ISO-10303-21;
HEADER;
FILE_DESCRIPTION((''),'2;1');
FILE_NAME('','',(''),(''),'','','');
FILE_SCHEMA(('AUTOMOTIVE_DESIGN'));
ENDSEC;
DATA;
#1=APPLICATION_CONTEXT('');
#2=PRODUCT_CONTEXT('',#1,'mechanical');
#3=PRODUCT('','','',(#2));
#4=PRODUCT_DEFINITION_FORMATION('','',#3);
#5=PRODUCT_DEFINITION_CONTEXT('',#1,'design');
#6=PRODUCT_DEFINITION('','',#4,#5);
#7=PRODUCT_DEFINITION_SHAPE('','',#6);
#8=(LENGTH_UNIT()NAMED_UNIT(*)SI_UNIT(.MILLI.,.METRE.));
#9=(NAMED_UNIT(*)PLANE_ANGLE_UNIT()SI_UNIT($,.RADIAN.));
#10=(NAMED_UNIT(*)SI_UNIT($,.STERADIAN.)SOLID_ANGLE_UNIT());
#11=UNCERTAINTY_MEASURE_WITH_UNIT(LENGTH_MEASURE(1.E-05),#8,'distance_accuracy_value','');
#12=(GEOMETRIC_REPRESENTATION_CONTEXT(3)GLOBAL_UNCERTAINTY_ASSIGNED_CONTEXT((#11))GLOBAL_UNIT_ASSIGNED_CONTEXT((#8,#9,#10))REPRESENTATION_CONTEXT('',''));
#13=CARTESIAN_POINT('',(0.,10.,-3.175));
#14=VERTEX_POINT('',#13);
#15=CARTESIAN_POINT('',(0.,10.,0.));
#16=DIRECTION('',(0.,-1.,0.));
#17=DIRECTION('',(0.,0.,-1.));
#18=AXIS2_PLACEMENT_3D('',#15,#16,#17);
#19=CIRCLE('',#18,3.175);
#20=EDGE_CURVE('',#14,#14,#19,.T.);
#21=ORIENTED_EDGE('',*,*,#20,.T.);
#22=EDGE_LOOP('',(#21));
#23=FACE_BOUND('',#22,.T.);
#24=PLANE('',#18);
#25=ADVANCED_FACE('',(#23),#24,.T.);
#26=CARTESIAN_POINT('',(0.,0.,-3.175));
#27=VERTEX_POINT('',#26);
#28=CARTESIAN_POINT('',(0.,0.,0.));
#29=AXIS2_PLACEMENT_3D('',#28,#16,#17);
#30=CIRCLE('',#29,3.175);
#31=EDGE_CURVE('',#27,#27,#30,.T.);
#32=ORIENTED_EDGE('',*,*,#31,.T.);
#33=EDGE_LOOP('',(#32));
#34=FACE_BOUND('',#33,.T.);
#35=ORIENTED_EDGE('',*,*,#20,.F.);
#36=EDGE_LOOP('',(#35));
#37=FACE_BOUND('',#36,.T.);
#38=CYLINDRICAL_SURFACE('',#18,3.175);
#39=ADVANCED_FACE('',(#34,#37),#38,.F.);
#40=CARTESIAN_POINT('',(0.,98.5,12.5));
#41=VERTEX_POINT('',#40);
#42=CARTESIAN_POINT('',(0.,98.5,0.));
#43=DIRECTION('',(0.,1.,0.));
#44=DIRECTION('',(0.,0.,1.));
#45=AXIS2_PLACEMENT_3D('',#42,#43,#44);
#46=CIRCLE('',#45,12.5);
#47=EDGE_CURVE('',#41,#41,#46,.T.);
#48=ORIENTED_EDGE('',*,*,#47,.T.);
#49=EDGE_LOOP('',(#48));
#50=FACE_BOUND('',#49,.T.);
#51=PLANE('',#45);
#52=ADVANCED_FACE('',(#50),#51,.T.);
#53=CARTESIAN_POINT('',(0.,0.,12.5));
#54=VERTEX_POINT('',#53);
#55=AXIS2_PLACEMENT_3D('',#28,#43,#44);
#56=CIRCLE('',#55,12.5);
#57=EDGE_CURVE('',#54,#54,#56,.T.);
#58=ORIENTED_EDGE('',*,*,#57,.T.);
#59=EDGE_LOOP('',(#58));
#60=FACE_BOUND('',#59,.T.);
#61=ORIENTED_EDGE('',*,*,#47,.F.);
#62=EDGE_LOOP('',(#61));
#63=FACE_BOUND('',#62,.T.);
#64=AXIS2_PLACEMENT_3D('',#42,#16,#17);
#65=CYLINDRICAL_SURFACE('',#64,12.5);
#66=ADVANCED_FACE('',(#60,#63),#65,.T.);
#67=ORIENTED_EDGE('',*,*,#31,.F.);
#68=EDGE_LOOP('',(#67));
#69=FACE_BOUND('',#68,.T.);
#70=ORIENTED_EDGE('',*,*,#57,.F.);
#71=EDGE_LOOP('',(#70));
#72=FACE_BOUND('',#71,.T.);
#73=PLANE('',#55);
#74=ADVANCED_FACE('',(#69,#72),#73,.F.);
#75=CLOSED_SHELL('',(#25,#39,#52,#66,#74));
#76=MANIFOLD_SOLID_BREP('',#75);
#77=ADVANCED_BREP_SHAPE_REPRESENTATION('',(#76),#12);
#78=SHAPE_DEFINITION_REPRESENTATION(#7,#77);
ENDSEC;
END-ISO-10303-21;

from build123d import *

# Parameters (mm, degrees)
SKETCH2_R           = 12.5
BOSS_EXTRUDE1_DEPTH = 98.5
SKETCH3_R           = 3.175
CUT_EXTRUDE1_DEPTH  = 10


with BuildPart() as part:
    # Sketch2 → Boss-Extrude1 (new body)
    with BuildSketch(Plane(origin=(0, 0, 0), x_dir=(1, 0, 0), z_dir=(0, 1, 0))):
        Circle(SKETCH2_R)
    extrude(amount=BOSS_EXTRUDE1_DEPTH)

    # Sketch3 → Cut-Extrude1 (cut)
    with BuildSketch(Plane.XZ):
        Circle(SKETCH3_R)
    extrude(amount=-CUT_EXTRUDE1_DEPTH, mode=Mode.SUBTRACT)


solid = part.part
